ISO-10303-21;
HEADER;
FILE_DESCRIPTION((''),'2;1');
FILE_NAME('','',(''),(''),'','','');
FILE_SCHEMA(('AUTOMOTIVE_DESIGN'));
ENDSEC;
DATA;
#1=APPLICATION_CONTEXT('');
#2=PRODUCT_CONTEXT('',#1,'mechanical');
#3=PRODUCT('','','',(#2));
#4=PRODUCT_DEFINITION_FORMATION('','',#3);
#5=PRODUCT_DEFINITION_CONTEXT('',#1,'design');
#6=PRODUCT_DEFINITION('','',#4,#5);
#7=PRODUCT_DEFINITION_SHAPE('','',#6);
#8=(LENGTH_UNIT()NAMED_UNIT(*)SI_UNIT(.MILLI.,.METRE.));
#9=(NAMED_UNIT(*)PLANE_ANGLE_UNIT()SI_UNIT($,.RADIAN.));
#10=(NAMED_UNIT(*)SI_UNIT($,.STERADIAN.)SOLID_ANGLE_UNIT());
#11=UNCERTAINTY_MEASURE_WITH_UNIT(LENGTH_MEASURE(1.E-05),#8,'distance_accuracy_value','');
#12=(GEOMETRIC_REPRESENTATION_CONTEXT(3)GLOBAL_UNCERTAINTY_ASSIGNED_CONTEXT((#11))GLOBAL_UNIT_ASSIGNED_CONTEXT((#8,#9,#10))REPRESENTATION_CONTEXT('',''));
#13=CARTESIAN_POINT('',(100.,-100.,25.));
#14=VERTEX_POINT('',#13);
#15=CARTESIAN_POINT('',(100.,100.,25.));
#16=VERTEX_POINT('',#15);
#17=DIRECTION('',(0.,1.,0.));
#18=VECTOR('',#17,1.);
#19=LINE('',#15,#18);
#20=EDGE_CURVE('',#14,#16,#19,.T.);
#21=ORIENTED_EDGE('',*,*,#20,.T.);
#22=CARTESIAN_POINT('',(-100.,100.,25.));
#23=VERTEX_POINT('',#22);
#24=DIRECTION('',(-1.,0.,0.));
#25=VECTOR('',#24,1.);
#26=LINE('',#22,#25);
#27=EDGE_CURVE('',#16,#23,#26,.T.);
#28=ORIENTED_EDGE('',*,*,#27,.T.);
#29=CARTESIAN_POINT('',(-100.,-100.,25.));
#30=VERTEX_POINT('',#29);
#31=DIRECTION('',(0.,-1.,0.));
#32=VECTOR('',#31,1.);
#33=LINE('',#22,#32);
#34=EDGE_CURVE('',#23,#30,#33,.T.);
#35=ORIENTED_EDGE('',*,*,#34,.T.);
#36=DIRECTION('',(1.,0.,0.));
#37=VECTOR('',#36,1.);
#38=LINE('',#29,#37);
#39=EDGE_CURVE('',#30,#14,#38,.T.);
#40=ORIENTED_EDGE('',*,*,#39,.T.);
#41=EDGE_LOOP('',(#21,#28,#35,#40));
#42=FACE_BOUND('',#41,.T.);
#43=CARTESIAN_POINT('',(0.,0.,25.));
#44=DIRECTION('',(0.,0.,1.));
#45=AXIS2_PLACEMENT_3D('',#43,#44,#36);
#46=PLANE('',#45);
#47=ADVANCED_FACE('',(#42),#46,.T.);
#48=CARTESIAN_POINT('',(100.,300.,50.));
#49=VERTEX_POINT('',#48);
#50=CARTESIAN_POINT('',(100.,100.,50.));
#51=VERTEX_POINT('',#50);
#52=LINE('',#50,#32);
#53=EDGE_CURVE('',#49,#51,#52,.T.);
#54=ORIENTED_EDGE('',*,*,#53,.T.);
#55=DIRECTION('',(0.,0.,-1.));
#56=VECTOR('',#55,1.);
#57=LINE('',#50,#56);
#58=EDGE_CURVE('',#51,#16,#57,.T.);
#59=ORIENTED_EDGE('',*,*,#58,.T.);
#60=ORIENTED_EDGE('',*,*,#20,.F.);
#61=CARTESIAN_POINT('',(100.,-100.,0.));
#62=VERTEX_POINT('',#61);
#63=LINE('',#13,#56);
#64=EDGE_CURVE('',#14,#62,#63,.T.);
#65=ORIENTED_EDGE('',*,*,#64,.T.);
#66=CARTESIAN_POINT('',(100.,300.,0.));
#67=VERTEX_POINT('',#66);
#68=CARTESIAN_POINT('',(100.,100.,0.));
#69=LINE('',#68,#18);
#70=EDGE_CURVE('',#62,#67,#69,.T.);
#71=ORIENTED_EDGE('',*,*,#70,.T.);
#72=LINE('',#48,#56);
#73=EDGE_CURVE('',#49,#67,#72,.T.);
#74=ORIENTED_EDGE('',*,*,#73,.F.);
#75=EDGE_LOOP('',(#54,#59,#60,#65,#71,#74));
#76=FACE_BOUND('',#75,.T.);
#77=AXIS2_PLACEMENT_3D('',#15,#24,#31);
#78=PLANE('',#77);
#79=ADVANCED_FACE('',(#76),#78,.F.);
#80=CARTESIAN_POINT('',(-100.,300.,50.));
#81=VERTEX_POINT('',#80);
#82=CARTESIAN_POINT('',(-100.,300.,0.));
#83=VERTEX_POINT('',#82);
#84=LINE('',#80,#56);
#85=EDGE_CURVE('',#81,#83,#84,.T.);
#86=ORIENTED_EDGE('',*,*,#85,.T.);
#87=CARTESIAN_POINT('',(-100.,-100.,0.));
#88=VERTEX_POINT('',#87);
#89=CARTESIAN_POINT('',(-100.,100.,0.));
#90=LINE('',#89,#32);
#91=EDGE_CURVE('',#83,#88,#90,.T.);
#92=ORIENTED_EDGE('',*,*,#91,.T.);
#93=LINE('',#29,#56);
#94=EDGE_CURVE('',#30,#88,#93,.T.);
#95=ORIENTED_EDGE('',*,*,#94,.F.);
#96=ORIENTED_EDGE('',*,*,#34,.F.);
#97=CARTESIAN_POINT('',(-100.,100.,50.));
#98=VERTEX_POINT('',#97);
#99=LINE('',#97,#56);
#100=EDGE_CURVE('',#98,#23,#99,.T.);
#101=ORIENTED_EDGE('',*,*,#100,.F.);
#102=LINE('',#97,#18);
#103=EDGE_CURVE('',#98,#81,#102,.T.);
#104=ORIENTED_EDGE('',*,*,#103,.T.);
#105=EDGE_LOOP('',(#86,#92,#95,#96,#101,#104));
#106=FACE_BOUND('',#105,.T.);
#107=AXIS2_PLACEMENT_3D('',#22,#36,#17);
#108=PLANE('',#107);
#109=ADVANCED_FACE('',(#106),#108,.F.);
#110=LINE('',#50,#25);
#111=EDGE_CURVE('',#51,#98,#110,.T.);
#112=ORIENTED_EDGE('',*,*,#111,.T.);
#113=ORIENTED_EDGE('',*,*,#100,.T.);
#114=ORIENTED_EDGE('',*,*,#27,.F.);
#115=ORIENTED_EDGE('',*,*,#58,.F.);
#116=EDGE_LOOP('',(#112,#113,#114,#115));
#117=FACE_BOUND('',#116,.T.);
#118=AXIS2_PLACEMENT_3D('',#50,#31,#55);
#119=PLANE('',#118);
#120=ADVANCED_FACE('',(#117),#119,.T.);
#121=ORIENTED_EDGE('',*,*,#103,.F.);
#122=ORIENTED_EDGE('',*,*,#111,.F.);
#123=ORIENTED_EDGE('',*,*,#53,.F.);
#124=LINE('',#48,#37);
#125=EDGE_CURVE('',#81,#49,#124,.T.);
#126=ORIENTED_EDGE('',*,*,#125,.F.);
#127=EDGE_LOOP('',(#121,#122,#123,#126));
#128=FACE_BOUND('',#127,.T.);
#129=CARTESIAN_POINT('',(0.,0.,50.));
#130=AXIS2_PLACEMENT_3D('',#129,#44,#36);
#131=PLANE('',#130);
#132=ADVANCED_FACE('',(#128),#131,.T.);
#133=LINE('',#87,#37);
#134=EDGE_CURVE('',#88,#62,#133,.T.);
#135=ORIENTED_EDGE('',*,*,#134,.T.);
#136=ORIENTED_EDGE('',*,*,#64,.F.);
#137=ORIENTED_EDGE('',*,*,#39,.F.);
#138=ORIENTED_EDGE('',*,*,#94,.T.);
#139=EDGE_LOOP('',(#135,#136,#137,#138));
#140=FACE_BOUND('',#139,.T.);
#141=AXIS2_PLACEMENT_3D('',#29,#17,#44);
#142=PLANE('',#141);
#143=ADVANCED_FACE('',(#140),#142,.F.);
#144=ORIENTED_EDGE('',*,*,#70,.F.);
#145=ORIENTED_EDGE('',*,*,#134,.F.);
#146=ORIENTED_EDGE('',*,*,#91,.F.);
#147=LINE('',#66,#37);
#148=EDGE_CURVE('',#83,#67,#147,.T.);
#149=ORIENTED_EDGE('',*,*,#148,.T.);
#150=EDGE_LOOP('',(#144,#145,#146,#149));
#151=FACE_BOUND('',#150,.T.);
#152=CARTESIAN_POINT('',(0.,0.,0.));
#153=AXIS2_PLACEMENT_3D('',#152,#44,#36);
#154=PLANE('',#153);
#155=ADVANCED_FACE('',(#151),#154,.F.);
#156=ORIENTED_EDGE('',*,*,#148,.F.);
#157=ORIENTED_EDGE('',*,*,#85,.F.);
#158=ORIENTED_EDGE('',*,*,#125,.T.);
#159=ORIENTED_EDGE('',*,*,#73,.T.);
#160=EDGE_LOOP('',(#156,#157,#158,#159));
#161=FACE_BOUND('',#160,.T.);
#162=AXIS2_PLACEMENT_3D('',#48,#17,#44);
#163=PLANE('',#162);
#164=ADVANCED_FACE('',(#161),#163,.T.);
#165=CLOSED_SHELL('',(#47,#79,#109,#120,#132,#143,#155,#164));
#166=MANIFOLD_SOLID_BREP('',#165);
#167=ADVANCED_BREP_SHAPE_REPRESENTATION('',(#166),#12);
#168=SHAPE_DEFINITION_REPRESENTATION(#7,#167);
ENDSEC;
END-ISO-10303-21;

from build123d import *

# Parameters (mm, degrees)
SKETCH1_W           = 200
SKETCH1_H           = 200
BOSS_EXTRUDE1_DEPTH = 25
SKETCH2_W           = 200
SKETCH2_H           = 200
BOSS_EXTRUDE2_DEPTH = 50


with BuildPart() as part:
    # Sketch1 → Boss-Extrude1 (new body)
    with BuildSketch(Plane.XY):
        Rectangle(SKETCH1_W, SKETCH1_H)
    extrude(amount=BOSS_EXTRUDE1_DEPTH)

    # Sketch2 → Boss-Extrude2 (add)
    with BuildSketch(Plane(origin=(0, 0, 0), x_dir=(-1, 0, 0), z_dir=(0, 0, -1))):
        with Locations((0, 200)):
            Rectangle(SKETCH2_W, SKETCH2_H)
    extrude(amount=-BOSS_EXTRUDE2_DEPTH)


solid = part.part
